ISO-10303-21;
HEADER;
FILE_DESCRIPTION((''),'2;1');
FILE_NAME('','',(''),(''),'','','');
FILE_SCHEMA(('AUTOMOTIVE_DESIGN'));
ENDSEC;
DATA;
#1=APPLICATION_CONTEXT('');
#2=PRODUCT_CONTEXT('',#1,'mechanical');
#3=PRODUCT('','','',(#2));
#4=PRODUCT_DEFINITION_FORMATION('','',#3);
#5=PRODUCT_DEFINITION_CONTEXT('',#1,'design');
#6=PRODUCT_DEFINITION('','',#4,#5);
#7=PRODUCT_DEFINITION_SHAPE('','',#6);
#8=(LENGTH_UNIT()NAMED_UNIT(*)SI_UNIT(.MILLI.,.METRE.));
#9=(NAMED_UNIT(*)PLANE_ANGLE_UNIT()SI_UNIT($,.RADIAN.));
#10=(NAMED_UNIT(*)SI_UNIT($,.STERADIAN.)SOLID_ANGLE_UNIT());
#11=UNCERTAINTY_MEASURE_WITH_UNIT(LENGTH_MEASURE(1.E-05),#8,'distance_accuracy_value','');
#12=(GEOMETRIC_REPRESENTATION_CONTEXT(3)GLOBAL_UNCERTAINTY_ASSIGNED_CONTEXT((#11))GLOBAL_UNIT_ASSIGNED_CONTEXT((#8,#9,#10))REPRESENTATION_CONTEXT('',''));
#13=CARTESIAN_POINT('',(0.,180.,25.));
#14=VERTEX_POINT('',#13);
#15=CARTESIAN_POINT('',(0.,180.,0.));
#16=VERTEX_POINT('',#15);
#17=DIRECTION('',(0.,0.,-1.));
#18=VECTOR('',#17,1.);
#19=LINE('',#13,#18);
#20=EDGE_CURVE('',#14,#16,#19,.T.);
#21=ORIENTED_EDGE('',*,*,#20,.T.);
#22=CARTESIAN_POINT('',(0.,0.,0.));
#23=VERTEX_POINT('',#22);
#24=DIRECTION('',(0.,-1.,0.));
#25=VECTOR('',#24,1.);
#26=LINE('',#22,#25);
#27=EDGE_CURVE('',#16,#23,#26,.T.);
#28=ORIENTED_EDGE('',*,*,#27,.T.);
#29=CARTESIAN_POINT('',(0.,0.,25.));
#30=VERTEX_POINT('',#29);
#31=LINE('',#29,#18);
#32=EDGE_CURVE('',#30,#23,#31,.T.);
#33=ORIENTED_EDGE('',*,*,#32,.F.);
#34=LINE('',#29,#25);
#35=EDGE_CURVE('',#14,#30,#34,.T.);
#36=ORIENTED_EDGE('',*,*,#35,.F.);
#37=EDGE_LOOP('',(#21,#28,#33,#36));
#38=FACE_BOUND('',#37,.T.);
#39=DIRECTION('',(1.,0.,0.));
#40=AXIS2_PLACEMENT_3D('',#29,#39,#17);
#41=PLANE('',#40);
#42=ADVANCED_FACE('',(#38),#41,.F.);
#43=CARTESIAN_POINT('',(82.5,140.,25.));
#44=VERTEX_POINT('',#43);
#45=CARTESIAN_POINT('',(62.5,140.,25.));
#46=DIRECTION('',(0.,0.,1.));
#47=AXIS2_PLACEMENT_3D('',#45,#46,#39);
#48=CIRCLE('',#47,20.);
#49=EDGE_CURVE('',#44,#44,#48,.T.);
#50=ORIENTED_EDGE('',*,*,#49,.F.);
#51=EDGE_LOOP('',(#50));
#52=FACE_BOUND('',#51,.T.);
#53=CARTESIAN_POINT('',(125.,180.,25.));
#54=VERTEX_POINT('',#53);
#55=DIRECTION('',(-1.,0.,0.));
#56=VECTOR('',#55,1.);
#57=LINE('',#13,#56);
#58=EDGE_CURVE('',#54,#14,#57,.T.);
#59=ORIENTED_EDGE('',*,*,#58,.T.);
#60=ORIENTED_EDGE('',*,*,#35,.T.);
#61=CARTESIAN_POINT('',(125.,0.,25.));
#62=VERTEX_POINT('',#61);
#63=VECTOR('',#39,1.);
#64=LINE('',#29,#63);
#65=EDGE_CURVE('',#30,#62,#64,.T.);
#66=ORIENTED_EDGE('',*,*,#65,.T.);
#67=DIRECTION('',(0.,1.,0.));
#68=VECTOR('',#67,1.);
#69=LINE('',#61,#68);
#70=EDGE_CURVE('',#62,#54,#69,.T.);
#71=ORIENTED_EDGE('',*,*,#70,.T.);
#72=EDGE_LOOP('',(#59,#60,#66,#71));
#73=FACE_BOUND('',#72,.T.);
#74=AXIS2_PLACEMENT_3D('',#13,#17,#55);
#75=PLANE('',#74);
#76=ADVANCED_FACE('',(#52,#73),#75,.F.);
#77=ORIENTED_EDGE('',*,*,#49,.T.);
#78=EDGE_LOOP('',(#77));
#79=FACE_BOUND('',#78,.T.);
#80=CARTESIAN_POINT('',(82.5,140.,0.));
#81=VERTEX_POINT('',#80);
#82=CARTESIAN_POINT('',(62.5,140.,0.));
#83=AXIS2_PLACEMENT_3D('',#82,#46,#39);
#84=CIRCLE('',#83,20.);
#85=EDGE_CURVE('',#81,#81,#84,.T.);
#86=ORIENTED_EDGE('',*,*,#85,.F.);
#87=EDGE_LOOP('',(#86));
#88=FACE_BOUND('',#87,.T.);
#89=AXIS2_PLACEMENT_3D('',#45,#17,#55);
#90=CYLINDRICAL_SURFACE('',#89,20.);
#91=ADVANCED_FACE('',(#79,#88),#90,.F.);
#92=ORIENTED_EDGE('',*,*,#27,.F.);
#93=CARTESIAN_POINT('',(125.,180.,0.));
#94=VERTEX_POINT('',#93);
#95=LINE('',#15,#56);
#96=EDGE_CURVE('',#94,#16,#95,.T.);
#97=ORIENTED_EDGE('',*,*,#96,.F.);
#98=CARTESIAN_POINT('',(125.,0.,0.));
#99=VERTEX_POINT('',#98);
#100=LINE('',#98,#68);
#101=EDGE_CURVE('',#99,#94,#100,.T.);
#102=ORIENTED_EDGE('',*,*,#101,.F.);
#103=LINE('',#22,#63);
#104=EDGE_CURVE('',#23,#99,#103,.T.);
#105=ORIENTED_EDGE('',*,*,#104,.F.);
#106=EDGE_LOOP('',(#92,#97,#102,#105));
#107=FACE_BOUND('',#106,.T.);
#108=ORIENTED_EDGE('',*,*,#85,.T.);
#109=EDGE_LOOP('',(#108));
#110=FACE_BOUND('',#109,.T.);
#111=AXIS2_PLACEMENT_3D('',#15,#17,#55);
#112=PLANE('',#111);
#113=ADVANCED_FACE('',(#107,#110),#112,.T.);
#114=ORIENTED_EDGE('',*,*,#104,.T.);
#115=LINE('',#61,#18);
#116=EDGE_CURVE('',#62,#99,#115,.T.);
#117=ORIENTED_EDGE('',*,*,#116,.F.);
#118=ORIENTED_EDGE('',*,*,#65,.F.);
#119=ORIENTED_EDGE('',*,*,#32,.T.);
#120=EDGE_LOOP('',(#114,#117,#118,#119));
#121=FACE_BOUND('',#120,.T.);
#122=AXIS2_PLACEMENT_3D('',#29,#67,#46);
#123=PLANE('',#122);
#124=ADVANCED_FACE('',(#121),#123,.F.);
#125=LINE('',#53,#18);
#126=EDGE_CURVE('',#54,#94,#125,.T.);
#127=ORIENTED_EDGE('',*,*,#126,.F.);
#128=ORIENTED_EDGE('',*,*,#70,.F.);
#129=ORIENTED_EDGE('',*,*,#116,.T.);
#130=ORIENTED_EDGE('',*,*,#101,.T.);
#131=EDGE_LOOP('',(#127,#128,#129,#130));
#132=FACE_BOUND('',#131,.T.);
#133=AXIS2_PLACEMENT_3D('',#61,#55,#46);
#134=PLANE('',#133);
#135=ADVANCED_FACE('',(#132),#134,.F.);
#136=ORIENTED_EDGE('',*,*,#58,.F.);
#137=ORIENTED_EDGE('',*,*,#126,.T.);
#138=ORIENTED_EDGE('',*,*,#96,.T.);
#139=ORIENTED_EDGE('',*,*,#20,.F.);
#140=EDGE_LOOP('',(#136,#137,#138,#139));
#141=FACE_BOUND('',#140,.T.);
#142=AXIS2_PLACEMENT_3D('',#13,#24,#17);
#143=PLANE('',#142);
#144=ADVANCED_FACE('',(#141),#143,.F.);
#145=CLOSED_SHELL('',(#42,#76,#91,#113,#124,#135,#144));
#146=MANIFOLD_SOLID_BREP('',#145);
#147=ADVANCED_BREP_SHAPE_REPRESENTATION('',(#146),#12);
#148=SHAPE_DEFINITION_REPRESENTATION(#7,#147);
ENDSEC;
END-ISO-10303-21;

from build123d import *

# Parameters (mm, degrees)
SKETCH1_W          = 125
SKETCH1_H          = 180
SKETCH1_R          = 20
BASE_EXTRUDE_DEPTH = 25


with BuildPart() as part:
    # Sketch1 → Base-Extrude (new body)
    with BuildSketch(Plane.XY):
        with Locations((62.5, 90)):
            Rectangle(SKETCH1_W, SKETCH1_H)
        with Locations((62.5, 140)):
            Circle(SKETCH1_R, mode=Mode.SUBTRACT)
    extrude(amount=BASE_EXTRUDE_DEPTH)


solid = part.part
